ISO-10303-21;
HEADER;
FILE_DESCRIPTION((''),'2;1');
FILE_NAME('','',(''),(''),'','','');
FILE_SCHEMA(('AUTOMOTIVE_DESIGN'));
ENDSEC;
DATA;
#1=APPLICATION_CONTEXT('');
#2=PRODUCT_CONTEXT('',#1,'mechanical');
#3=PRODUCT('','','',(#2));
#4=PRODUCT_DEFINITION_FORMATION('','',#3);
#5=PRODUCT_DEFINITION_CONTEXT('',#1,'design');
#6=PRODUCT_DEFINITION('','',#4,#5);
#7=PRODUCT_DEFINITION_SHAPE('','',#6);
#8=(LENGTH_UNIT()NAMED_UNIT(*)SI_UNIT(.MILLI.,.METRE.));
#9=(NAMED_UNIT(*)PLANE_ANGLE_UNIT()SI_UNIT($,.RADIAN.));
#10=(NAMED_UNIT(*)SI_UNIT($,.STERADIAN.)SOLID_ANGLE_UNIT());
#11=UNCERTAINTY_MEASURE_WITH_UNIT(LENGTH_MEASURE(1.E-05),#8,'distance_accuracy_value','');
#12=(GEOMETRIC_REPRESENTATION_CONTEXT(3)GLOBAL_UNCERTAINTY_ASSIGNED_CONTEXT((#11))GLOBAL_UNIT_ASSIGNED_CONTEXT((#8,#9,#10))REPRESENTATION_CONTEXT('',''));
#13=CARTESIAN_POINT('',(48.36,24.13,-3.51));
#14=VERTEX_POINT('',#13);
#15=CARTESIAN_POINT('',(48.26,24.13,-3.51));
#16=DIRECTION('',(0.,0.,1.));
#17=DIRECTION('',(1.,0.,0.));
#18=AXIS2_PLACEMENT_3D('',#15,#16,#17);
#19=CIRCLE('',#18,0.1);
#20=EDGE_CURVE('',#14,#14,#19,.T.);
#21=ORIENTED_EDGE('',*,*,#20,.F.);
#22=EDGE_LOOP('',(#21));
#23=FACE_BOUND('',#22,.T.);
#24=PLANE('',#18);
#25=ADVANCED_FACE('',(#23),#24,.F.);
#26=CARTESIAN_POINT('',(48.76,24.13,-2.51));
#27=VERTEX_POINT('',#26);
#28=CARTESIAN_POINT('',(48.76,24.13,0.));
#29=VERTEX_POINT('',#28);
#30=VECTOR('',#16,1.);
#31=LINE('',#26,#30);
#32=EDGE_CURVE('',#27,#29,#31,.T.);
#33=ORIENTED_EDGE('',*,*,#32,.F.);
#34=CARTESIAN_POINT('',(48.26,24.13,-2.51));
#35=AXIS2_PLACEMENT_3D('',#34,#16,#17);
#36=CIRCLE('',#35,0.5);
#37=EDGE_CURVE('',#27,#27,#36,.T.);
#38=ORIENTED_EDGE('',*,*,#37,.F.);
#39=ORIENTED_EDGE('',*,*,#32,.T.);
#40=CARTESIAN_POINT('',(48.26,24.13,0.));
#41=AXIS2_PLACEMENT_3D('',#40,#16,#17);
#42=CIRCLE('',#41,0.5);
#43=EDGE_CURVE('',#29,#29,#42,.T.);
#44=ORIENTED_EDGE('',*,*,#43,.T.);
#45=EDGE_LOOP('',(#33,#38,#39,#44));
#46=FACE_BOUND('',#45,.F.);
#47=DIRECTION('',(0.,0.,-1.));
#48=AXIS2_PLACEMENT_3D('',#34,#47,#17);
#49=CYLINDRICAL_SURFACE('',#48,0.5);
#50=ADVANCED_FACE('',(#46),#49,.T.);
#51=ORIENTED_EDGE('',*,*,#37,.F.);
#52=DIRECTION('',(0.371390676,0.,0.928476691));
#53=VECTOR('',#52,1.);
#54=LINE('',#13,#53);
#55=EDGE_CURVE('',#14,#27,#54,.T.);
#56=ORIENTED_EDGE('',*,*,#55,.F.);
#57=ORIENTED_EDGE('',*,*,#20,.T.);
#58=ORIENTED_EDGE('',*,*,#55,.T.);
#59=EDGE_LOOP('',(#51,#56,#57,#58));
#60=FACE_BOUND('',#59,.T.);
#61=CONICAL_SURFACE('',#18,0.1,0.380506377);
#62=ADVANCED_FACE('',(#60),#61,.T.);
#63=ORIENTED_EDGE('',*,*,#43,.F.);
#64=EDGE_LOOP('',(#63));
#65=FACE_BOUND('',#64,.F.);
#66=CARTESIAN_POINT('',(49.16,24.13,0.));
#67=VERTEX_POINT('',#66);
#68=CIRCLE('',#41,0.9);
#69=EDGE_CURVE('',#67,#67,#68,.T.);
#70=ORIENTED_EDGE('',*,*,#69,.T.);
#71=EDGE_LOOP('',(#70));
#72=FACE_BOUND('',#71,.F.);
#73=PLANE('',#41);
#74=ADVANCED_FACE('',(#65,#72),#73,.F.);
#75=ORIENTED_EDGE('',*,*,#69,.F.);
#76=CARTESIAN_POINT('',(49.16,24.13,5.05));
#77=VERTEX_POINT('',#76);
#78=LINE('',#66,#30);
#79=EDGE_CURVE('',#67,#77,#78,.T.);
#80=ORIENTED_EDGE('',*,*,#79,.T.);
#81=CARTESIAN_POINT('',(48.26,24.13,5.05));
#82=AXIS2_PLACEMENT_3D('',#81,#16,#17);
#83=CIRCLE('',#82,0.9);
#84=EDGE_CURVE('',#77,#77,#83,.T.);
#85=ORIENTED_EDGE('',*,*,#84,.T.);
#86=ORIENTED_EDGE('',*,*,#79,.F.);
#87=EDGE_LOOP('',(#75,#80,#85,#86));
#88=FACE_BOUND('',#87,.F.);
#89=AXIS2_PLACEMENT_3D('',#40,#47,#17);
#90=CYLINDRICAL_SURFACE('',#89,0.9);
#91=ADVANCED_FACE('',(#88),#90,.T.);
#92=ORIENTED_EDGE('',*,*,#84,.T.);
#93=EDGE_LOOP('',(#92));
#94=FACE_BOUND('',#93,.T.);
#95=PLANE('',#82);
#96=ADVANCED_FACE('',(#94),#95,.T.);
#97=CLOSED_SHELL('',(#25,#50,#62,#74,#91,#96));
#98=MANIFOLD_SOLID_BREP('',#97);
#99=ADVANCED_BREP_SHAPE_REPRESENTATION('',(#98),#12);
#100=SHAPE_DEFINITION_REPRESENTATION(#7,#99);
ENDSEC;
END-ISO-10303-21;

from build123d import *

# Parameters (mm, degrees)
CYLINDER010_R     = 0.5
CYLINDER010_DEPTH = 2.51
CYLINDER009_R     = 0.9
CYLINDER009_DEPTH = 5.05


with BuildPart() as cylinder010:
    # Cylinder010 → Cylinder010 (new body)
    with BuildSketch(Plane(origin=(2.54, 0, -2.51), x_dir=(1, 0, 0), z_dir=(0, 0, 1))):
        Circle(CYLINDER010_R)
    extrude(amount=CYLINDER010_DEPTH)


with BuildPart() as cone004:
    # Cone004 → Cone004 (revolve)
    with BuildSketch(Plane(origin=(2.54, 0, -3.51), x_dir=(1, 0, 0), z_dir=(0, -1, 0))):
        Polygon((0, 0), (0.1, 0), (0.5, 1), (0, 1), align=None)
    revolve(axis=Axis((2.54, 0, -3.51), (0, 0, 1)))


with BuildPart() as fusion004:
    # Cylinder009 → Cylinder009 (new body)
    with BuildSketch(Plane(origin=(2.54, 0, 0), x_dir=(1, 0, 0), z_dir=(0, 0, 1))):
        Circle(CYLINDER009_R)
    extrude(amount=CYLINDER009_DEPTH)

    # Fusion004: union Cylinder010, Cone004
    add(cylinder010.part)
    add(cone004.part)


with BuildPart() as fusion004_1:
    # Fusion004 placement: moved
    add(fusion004.part.moved(Location((45.72, 24.13, 0))))


solid = fusion004_1.part
